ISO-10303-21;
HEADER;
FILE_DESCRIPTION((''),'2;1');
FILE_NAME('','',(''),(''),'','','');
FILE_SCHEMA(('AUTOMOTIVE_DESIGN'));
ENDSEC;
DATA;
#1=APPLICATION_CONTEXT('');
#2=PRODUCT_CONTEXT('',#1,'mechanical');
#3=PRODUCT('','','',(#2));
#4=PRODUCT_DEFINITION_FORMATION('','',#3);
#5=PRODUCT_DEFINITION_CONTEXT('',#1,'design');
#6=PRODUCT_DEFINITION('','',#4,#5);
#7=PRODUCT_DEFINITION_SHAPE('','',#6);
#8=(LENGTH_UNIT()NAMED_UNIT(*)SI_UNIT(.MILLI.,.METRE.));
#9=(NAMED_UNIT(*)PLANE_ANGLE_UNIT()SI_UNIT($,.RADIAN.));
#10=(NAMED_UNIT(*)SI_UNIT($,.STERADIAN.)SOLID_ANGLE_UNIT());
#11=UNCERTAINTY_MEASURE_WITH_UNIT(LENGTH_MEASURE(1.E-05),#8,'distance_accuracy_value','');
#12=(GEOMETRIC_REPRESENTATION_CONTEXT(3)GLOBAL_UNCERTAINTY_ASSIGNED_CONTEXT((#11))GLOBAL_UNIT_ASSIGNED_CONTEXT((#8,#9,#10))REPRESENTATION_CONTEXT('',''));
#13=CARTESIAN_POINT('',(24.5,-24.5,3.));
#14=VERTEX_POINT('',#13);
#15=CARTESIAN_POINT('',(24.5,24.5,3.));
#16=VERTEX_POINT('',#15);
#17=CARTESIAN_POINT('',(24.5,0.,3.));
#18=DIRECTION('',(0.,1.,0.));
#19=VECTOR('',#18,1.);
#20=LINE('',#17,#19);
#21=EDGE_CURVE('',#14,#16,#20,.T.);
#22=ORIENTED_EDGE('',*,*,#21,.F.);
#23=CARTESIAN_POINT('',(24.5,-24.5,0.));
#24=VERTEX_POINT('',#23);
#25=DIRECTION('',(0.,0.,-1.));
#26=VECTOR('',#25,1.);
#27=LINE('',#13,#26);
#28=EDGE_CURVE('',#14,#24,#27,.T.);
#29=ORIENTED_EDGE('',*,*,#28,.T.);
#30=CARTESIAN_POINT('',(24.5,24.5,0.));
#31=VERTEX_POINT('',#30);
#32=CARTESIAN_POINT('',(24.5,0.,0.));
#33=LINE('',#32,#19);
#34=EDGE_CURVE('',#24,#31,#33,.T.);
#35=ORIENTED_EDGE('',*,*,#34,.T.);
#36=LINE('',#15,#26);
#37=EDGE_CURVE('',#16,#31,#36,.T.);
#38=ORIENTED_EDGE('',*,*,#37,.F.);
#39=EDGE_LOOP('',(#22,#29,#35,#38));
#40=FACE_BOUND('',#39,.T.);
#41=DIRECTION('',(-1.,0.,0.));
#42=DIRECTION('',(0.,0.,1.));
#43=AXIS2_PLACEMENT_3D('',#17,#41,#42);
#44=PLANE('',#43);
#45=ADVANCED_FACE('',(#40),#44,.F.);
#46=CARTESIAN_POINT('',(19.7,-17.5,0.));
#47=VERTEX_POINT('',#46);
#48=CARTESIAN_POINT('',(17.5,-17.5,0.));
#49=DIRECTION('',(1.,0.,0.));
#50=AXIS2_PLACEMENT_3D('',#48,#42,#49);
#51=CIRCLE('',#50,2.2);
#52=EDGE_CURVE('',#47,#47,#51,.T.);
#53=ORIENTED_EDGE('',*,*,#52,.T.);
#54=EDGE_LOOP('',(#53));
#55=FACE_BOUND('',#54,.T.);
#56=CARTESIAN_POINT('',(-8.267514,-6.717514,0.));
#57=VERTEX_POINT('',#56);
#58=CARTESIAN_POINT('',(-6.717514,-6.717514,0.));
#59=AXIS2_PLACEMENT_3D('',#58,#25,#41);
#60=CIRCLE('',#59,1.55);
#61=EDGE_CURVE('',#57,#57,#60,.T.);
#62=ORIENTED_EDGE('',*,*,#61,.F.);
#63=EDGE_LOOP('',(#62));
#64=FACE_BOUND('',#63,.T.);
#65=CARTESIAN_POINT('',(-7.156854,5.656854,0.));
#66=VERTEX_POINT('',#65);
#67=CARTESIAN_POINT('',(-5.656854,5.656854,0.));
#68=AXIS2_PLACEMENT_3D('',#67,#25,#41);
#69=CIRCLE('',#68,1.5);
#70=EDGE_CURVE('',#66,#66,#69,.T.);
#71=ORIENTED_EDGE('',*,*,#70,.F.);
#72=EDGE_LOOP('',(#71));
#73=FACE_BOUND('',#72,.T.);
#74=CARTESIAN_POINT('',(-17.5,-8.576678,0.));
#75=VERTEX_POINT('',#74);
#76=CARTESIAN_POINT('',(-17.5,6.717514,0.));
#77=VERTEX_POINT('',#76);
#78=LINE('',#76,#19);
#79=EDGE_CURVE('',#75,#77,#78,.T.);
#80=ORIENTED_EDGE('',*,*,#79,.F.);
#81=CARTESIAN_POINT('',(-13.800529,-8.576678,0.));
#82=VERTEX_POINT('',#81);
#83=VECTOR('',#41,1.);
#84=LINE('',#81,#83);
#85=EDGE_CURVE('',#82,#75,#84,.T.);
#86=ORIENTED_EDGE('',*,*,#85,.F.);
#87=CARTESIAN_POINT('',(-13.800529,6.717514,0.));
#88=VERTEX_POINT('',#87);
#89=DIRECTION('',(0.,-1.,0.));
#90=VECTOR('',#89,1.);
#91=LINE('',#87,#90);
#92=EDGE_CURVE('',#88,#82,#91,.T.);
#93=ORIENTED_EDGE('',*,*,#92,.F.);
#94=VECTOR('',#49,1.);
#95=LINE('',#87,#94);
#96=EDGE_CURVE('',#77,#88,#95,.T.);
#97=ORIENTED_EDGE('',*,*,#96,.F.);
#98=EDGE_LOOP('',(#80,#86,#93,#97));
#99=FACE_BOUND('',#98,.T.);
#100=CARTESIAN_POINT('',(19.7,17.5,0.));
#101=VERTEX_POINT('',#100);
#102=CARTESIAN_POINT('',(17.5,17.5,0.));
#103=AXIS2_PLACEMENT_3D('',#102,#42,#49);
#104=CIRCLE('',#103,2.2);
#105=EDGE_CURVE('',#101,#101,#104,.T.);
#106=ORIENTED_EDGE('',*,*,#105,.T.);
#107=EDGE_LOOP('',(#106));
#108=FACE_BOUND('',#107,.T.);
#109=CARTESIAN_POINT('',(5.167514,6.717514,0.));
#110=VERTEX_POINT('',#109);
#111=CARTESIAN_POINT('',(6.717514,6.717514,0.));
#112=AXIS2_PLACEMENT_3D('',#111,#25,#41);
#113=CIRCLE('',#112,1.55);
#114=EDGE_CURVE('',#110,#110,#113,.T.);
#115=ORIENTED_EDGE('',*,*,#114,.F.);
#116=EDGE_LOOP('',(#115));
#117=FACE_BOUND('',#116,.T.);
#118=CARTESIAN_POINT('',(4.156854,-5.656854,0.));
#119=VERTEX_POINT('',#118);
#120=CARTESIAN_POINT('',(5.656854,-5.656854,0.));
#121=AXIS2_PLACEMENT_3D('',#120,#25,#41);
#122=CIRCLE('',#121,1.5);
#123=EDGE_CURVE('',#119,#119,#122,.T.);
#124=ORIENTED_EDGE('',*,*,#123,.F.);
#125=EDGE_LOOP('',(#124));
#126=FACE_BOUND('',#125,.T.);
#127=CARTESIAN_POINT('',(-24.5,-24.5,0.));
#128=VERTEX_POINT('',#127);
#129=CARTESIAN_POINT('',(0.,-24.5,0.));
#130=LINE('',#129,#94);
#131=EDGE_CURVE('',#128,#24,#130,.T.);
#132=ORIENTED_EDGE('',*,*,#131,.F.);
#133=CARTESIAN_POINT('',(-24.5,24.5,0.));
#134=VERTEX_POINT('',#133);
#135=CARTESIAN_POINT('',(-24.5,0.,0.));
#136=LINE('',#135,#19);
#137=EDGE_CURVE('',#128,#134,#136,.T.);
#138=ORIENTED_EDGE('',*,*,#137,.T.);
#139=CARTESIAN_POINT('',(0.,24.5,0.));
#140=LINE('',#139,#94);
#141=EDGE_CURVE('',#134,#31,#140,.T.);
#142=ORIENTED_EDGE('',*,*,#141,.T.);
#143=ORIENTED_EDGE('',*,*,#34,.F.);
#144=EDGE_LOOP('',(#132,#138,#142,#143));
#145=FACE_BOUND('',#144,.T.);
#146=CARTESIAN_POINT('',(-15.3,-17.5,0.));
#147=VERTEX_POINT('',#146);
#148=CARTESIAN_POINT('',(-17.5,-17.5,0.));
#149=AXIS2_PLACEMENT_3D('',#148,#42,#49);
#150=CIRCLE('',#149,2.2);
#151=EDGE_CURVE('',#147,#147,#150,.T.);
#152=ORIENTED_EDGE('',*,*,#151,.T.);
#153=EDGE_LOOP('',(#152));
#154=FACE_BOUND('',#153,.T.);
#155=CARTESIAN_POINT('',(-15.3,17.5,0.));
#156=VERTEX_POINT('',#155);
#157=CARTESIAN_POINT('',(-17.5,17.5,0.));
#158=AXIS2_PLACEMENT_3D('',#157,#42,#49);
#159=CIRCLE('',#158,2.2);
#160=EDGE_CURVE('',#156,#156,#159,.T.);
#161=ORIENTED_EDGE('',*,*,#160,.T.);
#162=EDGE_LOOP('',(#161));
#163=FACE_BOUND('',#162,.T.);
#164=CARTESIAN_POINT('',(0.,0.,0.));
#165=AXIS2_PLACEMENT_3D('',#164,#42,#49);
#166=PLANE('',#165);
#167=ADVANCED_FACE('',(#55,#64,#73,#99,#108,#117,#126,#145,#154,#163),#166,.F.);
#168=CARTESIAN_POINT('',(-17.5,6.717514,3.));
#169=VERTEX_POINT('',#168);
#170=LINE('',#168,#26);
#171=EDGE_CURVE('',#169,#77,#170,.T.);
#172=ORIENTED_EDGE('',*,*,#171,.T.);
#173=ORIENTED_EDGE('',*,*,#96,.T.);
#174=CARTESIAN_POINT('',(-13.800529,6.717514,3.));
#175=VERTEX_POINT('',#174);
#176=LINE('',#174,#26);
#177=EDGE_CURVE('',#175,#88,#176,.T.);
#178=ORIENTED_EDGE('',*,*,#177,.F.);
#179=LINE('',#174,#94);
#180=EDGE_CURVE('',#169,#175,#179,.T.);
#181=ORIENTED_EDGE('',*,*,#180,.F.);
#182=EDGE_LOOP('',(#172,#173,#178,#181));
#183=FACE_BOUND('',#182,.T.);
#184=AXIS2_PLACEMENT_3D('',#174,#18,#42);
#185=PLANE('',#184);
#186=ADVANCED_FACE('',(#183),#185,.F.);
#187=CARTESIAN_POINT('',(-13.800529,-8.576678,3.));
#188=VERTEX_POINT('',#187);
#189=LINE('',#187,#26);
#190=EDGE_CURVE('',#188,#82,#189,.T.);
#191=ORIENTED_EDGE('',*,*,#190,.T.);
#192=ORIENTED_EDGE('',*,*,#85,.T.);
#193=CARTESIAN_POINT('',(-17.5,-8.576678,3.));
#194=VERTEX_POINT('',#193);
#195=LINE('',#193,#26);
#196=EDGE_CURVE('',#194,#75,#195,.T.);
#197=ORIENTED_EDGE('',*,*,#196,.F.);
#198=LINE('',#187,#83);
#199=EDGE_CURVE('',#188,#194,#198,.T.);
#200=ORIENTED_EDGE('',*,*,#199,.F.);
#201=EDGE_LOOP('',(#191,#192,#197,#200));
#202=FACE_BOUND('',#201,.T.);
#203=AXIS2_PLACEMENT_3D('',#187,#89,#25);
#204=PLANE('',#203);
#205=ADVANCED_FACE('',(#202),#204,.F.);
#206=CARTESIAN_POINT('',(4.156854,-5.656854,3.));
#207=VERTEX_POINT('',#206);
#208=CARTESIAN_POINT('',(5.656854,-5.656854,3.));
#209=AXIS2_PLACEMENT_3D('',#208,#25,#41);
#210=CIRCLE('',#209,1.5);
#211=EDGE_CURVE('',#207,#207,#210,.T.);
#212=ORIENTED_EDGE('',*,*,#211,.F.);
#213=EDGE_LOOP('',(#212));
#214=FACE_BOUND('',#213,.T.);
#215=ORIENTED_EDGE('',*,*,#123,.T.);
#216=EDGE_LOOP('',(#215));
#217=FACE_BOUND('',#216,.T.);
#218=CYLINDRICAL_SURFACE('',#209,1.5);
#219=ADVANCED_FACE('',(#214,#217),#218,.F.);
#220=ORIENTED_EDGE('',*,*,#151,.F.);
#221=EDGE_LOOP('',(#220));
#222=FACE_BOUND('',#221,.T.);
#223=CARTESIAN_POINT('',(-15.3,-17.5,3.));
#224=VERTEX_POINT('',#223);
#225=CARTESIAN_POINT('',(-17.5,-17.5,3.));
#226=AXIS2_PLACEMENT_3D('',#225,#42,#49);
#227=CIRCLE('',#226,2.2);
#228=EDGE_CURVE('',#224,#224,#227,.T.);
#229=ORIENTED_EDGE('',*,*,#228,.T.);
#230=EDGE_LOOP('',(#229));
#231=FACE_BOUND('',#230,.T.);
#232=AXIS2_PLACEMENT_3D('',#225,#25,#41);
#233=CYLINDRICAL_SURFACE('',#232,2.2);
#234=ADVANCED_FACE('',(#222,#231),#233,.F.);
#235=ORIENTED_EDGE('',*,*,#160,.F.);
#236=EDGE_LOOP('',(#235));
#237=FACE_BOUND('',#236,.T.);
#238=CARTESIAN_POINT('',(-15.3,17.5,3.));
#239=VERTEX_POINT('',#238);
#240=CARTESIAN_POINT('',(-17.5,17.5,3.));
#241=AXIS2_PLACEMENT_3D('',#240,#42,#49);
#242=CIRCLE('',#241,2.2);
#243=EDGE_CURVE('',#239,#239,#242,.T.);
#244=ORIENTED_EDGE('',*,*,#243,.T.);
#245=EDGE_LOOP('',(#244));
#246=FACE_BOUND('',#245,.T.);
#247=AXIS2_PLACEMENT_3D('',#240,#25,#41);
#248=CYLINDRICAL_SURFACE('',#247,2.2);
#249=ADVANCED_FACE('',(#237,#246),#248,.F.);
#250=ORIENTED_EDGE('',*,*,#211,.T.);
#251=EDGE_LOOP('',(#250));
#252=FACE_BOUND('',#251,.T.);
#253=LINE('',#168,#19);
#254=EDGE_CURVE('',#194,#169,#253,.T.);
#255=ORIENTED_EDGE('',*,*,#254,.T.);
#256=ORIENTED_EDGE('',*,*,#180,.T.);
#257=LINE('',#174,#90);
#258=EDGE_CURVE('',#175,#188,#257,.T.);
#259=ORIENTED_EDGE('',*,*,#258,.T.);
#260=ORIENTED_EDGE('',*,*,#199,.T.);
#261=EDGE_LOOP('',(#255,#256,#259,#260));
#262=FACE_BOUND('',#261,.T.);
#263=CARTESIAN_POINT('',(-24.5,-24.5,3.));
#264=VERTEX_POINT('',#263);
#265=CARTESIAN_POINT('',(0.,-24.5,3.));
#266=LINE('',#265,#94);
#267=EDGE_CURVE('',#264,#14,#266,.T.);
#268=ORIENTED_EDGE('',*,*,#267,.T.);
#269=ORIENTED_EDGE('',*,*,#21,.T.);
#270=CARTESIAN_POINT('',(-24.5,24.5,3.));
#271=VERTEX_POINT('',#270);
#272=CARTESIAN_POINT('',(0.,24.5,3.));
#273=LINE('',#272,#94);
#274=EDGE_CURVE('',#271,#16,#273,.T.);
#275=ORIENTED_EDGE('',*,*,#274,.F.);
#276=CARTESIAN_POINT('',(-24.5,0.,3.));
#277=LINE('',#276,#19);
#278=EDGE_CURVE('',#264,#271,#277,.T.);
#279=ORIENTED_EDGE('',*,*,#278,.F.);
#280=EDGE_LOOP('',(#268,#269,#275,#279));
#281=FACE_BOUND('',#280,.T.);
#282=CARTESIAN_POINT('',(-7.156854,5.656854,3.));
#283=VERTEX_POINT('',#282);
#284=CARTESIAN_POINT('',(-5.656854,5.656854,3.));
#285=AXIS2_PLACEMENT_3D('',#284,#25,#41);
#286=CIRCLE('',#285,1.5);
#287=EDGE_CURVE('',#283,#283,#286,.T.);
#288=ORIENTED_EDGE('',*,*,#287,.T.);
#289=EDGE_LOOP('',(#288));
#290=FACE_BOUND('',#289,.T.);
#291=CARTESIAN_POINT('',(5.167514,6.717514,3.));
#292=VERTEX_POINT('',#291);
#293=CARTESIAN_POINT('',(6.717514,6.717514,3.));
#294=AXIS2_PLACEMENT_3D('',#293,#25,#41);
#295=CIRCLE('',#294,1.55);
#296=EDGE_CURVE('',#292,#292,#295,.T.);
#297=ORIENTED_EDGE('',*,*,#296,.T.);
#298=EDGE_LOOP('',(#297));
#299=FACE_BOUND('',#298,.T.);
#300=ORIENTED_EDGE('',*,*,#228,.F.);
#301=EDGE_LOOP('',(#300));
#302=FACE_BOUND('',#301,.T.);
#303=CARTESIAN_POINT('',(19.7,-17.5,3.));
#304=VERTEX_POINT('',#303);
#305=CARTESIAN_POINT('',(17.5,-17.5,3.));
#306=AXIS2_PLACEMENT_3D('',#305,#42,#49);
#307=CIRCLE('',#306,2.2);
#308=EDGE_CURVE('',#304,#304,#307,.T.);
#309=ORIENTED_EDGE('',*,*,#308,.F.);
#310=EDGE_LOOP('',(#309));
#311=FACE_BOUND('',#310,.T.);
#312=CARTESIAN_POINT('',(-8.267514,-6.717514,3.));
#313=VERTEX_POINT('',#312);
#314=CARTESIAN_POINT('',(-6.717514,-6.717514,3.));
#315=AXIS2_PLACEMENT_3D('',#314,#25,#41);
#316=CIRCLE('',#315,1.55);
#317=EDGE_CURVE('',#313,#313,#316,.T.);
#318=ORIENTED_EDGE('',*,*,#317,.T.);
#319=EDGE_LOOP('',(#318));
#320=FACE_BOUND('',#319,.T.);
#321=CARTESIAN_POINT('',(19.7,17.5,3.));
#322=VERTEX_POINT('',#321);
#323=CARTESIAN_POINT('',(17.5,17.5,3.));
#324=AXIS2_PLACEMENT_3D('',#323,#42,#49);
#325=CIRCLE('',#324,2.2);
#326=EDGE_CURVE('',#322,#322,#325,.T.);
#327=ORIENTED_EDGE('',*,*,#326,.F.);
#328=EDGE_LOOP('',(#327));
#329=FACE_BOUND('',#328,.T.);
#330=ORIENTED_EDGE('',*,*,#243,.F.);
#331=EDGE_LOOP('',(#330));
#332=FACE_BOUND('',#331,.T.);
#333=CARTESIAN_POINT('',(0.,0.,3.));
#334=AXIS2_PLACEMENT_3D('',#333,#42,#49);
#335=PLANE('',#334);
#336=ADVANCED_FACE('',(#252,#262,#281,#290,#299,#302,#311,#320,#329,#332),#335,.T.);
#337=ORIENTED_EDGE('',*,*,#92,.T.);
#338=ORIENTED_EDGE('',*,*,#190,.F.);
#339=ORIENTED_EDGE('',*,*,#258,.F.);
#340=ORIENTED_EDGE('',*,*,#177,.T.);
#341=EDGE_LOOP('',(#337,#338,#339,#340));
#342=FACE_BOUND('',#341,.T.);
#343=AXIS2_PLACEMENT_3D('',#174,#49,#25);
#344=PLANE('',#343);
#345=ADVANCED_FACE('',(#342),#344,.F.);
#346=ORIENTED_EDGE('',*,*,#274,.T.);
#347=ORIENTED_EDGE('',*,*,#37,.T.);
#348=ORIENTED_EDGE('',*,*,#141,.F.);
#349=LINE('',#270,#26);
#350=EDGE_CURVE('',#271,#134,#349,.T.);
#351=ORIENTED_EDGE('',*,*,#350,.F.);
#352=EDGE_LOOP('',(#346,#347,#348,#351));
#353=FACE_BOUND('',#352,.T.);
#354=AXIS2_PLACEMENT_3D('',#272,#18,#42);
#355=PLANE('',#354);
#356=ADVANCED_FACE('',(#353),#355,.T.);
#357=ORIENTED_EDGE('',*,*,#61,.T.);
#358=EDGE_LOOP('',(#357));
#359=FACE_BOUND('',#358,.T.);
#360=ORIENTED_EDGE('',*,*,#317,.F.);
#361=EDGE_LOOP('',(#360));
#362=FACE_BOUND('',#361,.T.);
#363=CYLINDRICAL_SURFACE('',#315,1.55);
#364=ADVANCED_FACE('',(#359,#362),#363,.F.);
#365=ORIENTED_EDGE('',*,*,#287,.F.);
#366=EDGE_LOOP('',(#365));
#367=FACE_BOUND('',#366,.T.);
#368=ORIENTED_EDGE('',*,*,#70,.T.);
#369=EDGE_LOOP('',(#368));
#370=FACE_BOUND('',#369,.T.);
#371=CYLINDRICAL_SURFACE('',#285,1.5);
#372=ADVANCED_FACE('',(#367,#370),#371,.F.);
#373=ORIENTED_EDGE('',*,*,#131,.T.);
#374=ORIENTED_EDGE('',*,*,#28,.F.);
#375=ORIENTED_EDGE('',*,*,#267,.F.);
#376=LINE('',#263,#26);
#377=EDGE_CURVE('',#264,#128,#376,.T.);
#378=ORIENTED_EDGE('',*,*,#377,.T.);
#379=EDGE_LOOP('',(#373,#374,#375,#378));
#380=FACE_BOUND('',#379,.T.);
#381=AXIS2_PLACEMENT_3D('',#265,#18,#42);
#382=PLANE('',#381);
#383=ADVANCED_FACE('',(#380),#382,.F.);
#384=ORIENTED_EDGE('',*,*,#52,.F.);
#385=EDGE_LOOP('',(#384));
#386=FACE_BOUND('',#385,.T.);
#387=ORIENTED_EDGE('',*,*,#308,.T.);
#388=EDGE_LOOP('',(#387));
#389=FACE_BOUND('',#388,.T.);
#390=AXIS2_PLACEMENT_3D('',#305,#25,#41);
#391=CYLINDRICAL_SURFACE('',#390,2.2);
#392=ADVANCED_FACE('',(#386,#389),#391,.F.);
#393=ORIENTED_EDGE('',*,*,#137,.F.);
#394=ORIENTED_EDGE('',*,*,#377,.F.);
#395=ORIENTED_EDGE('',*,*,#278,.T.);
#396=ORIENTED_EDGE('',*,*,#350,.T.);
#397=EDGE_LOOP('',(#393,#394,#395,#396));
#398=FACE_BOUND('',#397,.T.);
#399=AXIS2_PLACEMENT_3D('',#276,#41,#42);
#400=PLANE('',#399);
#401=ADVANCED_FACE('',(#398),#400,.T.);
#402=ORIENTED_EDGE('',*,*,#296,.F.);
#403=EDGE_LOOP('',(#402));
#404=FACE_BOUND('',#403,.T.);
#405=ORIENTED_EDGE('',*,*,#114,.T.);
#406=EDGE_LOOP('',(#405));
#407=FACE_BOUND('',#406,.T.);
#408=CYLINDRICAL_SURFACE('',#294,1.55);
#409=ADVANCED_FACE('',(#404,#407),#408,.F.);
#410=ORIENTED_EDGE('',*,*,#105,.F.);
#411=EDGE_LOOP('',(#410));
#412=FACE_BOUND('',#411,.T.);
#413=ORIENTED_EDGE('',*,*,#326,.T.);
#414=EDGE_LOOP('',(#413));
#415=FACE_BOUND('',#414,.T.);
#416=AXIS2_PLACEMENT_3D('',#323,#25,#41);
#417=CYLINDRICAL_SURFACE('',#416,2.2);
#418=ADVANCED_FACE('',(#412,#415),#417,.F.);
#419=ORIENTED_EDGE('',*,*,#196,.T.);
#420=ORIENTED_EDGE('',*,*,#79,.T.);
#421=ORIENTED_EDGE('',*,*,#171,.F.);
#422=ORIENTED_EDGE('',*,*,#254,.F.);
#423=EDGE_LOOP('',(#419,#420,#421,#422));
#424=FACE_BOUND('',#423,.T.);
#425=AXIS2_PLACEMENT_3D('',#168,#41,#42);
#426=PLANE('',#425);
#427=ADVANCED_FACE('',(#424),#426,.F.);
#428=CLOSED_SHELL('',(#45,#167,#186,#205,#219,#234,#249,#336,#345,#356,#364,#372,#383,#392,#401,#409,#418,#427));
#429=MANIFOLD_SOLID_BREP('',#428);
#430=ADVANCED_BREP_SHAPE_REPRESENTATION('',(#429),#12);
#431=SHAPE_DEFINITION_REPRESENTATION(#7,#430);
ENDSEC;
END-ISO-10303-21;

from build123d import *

# Parameters (mm, degrees)
SKETCH1_W           = 49
SKETCH1_H           = 49
SKETCH1_R           = 2.2
BOSS_EXTRUDE1_DEPTH = 3
SKETCH2_R           = 1.55
SKETCH2_R_2         = 1.5
SKETCH2_W           = 3.699471197
SKETCH2_H           = 15.29419199
CUT_EXTRUDE1_DEPTH  = 3


with BuildPart() as part:
    # Sketch1 → Boss-Extrude1 (new body)
    with BuildSketch(Plane.XY):
        Rectangle(SKETCH1_W, SKETCH1_H)
        with Locations((-17.5, -17.5)):
            Circle(SKETCH1_R, mode=Mode.SUBTRACT)
        with Locations((17.5, 17.5)):
            Circle(SKETCH1_R, mode=Mode.SUBTRACT)
        with Locations((17.5, -17.5)):
            Circle(SKETCH1_R, mode=Mode.SUBTRACT)
        with Locations((-17.5, 17.5)):
            Circle(SKETCH1_R, mode=Mode.SUBTRACT)
    extrude(amount=BOSS_EXTRUDE1_DEPTH)

    # Sketch2 → Cut-Extrude1 (cut)
    with BuildSketch(Plane(origin=(0, 0, 0), x_dir=(-1, 0, 0), z_dir=(0, 0, -1))):
        with Locations((-6.717514421, 6.717514421)):
            Circle(SKETCH2_R)
        with Locations((5.656854249, 5.656854249)):
            Circle(SKETCH2_R_2)
        with Locations((6.717514421, -6.717514421)):
            Circle(SKETCH2_R)
        with Locations((-5.656854249, -5.656854249)):
            Circle(SKETCH2_R_2)
        with Locations((15.650264401, -0.929581574)):
            Rectangle(SKETCH2_W, SKETCH2_H)
    extrude(amount=-CUT_EXTRUDE1_DEPTH, mode=Mode.SUBTRACT)


solid = part.part
